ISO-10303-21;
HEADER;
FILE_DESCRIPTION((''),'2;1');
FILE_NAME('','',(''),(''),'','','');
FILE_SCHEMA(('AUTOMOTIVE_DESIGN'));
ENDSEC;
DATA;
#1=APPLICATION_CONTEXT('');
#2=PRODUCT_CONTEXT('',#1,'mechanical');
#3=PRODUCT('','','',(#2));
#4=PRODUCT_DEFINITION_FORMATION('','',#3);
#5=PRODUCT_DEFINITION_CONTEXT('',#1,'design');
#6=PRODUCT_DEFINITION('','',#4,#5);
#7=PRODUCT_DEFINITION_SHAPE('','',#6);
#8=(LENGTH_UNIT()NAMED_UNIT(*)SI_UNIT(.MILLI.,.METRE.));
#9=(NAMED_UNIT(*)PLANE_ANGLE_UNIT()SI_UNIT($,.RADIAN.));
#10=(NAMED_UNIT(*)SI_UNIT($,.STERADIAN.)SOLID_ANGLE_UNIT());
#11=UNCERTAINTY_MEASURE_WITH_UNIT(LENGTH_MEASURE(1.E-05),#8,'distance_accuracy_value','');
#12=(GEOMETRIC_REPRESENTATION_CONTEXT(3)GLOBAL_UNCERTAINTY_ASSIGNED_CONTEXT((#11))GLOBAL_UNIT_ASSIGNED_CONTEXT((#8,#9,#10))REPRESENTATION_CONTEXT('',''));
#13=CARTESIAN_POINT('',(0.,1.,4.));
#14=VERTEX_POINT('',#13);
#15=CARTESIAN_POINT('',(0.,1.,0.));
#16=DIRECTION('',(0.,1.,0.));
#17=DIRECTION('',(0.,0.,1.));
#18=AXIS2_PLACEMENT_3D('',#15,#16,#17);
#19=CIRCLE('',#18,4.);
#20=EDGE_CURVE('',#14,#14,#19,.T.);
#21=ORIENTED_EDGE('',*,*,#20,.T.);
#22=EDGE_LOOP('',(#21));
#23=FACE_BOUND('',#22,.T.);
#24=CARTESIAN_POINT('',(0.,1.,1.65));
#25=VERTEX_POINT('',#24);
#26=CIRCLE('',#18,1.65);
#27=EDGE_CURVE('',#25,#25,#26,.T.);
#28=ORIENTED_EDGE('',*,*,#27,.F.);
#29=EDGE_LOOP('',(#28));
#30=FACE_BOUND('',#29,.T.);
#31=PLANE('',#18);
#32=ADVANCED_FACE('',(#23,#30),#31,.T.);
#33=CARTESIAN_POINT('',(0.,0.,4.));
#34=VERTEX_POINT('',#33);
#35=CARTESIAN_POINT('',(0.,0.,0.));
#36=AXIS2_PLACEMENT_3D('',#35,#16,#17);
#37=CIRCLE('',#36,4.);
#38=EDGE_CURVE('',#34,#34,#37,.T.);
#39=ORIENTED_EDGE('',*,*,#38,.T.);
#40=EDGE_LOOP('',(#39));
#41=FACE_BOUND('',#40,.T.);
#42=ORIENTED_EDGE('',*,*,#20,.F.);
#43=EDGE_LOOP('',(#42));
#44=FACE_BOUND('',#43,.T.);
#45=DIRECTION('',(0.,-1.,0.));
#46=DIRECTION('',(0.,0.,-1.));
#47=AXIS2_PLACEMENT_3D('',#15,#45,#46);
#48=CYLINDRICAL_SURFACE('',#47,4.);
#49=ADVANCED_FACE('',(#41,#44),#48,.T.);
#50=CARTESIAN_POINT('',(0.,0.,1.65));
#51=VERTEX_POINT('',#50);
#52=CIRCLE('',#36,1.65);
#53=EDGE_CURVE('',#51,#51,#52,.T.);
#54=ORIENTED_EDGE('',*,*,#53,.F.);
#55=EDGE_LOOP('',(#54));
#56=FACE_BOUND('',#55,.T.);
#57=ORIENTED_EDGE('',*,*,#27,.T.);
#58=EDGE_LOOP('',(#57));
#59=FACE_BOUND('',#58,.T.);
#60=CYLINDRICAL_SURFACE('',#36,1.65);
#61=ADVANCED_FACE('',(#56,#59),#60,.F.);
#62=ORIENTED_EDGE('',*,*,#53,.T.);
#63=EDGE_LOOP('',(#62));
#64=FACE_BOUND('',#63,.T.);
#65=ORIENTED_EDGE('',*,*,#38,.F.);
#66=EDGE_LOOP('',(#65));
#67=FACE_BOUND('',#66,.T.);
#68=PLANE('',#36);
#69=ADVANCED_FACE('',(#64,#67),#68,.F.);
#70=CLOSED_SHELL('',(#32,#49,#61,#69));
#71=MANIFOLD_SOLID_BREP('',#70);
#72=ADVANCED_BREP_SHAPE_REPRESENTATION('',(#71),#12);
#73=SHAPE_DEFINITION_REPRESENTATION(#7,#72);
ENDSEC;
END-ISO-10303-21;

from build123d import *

# Parameters (mm, degrees)
CROQUIS1_R              = 4
SALIENTE_EXTRUIR1_DEPTH = 1
CROQUIS2_R              = 1.65
CORTAR_EXTRUIR1_DEPTH   = 6.744562647


with BuildPart() as part:
    # Croquis1 → Saliente-Extruir1 (new body)
    with BuildSketch(Plane(origin=(0, 0, 0), x_dir=(1, 0, 0), z_dir=(0, 1, 0))):
        with Locations(Location((0, 0, 0), (0, 0, 270))):
            Circle(CROQUIS1_R)
    extrude(amount=SALIENTE_EXTRUIR1_DEPTH)

    # Croquis2 → Cortar-Extruir1 (cut, through all)
    with BuildSketch(Plane(origin=(0, 1, 0), x_dir=(1, 0, 0), z_dir=(0, 1, 0))):
        with Locations(Location((0, 0, 0), (0, 0, 270))):
            Circle(CROQUIS2_R)
    extrude(amount=-CORTAR_EXTRUIR1_DEPTH, mode=Mode.SUBTRACT)


solid = part.part
